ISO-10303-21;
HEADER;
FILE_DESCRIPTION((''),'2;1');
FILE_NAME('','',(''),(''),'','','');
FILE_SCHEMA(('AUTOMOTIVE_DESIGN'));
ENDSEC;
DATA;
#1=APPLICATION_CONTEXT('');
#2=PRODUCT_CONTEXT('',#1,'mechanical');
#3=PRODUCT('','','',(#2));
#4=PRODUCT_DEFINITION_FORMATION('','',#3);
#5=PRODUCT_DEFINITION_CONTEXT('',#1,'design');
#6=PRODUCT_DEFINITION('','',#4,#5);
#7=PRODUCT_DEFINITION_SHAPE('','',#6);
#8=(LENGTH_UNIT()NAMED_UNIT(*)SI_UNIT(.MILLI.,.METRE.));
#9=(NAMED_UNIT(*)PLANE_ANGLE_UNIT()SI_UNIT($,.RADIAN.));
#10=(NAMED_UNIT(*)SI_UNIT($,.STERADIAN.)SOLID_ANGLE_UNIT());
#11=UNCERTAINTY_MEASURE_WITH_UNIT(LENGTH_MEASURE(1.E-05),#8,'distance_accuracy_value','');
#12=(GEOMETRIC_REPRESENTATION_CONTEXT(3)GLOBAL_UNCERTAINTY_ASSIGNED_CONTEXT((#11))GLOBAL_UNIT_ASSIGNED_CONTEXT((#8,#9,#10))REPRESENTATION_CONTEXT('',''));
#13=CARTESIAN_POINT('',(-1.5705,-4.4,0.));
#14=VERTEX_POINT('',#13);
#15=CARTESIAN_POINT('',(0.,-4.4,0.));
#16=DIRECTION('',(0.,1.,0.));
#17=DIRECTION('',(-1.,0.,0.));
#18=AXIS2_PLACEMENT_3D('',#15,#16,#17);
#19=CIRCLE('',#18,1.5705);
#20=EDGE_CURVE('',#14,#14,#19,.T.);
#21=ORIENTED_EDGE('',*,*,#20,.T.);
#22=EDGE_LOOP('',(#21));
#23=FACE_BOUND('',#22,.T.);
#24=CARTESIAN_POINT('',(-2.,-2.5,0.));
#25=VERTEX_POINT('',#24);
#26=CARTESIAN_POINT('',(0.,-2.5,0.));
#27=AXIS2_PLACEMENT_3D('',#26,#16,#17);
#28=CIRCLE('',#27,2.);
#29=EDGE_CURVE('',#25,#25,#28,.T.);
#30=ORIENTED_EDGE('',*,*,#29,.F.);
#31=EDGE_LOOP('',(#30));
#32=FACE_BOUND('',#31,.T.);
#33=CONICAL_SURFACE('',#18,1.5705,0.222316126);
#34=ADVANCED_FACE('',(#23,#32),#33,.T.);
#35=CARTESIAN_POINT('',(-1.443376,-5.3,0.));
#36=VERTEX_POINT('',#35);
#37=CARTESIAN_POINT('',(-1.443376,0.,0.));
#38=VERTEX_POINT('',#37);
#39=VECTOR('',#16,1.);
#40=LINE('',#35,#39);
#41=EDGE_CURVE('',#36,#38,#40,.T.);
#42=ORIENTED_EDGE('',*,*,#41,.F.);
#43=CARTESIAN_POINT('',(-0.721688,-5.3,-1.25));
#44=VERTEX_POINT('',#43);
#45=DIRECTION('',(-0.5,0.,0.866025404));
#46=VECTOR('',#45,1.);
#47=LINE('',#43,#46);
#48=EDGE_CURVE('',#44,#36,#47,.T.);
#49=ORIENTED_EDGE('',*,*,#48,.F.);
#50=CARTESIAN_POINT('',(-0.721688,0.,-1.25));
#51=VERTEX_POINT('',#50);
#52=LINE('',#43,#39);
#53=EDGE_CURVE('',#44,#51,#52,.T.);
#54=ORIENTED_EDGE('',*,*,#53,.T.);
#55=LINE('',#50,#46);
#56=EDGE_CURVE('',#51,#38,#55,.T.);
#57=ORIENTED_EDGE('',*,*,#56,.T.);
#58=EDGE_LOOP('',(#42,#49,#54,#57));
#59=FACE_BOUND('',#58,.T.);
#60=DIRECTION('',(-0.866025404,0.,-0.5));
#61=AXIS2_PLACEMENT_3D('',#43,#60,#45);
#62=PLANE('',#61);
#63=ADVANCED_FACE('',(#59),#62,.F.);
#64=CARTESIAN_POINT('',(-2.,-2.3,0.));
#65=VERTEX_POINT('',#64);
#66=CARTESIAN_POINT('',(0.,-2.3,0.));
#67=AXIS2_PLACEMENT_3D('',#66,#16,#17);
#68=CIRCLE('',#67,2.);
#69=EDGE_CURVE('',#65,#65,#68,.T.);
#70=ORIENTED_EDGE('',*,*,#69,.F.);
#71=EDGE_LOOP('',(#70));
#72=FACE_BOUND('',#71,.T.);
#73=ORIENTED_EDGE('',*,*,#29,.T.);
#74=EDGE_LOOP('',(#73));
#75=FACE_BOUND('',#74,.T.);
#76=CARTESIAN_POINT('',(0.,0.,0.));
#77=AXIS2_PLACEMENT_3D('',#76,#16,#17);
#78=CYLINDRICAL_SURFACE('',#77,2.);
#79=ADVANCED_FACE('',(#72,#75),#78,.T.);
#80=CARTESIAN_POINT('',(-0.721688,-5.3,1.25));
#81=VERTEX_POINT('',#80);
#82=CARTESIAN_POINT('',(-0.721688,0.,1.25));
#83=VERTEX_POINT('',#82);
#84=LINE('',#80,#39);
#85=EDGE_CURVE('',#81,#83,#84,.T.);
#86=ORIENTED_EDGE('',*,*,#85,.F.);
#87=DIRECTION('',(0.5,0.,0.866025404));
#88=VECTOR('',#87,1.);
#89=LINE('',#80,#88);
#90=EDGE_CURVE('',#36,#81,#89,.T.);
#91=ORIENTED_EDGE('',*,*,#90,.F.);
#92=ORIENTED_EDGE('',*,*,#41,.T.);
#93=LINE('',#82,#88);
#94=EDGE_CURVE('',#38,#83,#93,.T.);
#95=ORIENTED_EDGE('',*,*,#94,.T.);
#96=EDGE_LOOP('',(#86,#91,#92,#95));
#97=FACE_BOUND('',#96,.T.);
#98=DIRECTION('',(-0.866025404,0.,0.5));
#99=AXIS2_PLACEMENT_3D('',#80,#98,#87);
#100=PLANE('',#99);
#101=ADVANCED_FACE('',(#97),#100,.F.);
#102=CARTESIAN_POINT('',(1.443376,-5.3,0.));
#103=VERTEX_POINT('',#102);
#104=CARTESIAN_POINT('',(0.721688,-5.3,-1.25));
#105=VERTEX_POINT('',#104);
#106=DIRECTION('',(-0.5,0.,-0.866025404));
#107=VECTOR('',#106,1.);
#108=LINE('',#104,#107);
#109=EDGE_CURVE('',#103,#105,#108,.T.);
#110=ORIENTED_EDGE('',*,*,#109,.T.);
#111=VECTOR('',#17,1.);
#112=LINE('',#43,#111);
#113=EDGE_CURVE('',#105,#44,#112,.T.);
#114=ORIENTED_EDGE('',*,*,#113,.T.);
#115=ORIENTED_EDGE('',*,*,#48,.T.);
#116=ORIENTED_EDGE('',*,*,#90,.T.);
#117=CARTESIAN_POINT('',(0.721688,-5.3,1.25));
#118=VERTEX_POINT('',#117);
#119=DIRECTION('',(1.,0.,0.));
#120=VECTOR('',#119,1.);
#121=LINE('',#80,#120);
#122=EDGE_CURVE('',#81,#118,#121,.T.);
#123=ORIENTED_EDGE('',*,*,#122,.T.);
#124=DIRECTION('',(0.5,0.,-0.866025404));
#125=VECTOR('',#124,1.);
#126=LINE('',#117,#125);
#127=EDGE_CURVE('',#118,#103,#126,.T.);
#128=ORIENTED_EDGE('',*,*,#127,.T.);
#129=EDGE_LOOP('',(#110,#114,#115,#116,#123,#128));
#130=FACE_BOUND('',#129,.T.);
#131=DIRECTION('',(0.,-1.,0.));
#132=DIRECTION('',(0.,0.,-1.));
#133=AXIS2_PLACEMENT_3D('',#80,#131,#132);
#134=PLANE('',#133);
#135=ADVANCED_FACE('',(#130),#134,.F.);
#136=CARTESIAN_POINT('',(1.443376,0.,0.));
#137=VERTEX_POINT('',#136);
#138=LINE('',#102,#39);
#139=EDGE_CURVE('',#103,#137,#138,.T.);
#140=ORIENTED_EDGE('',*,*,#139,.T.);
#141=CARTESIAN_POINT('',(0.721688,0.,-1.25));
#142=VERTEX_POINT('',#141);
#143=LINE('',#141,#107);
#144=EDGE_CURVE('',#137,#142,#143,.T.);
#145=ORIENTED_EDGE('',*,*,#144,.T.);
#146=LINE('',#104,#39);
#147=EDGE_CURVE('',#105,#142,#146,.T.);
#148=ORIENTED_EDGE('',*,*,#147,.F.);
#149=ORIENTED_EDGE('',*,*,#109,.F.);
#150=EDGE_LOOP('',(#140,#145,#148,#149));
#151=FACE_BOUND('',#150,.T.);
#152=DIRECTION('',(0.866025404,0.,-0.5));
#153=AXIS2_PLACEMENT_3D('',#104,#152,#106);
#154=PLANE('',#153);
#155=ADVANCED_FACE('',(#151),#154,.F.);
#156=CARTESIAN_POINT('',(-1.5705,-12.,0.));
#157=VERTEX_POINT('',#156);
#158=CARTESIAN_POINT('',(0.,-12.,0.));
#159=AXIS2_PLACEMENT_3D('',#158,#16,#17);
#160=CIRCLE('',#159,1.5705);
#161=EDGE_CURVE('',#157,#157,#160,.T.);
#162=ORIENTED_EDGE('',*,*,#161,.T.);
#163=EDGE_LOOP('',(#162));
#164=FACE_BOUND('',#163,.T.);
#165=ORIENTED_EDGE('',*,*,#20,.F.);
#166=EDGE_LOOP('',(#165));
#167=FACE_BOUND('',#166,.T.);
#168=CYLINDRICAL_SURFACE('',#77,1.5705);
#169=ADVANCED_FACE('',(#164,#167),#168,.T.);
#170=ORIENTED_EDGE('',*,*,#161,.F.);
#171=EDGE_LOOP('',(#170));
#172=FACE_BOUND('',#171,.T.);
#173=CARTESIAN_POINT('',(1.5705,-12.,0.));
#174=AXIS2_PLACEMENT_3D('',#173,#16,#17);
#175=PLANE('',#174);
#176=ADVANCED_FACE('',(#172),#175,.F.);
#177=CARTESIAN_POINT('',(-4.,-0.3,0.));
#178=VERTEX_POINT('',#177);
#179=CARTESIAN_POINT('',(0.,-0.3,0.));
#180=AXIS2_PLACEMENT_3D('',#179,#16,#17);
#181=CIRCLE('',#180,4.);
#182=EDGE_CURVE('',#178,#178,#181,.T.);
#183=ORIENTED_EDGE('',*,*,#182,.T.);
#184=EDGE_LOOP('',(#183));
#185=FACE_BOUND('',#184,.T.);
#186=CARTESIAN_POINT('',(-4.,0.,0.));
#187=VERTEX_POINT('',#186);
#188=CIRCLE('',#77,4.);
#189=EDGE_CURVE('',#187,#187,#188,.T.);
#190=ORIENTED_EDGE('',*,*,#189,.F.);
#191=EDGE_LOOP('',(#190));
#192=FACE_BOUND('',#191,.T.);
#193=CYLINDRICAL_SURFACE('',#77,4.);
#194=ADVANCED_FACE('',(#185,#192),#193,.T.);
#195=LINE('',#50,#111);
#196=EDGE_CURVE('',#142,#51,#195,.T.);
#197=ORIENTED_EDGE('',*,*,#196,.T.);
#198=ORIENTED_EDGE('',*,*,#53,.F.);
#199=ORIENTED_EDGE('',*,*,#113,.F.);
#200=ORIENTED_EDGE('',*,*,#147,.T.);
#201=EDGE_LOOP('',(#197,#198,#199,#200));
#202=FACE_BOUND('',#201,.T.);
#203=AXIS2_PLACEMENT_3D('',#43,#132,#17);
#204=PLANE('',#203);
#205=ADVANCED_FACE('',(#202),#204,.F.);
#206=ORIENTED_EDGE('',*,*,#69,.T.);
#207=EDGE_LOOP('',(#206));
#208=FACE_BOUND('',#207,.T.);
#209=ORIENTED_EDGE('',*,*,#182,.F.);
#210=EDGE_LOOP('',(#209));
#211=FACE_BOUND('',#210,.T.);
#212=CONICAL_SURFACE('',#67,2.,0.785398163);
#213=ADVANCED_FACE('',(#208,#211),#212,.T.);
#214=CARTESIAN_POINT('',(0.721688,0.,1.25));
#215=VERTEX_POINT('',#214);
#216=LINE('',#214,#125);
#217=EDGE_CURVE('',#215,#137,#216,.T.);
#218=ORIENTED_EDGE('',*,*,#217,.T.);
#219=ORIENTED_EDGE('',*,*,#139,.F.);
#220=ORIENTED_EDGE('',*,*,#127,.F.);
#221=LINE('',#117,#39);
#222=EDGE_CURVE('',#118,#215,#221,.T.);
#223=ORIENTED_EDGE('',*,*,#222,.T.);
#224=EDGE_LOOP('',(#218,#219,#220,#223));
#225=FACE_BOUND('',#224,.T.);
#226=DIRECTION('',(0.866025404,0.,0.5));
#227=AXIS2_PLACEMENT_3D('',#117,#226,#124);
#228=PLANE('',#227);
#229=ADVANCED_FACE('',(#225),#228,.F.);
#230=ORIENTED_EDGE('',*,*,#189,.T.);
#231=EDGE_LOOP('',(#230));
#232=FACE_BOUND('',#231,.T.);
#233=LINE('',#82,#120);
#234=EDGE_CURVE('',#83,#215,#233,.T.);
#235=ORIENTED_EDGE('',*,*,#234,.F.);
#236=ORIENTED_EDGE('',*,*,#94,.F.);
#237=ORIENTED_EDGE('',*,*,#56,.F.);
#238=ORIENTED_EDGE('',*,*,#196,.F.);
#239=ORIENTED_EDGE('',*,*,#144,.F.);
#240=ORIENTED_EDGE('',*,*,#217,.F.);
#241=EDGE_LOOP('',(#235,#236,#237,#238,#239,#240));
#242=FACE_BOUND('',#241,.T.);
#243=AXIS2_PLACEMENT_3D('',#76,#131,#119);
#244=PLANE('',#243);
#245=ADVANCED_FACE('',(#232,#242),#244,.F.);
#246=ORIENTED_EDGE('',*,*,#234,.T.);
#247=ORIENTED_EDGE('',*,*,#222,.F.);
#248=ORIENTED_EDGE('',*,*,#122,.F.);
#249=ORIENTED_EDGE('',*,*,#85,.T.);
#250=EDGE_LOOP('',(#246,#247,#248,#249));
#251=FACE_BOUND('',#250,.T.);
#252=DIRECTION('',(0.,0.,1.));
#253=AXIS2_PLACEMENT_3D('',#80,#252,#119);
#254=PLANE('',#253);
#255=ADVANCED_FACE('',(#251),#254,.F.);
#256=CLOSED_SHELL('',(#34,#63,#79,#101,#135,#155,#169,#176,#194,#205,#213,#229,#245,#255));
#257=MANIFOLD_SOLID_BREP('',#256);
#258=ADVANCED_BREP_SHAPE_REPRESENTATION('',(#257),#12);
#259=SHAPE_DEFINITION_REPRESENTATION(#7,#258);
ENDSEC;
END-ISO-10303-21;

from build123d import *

# Parameters (mm, degrees)
SCHNITT_LINEAR_AUSTRAGEN1_DEPTH = 5.3


with BuildPart() as part:
    # Skizze1 → Basis-Rotation (revolve)
    with BuildSketch(Plane.XY, mode=Mode.PRIVATE) as basis_rotation_sk:
        Polygon((0, 0), (4, 0), (4, -0.3), (2, -2.3), (2, -2.5), (1.5705, -4.4), (1.5705, -12), (0, -12), align=None)
    revolve(basis_rotation_sk.sketch.rotate(Axis((0, 0, 0), (0, -1, 0)), 180), axis=Axis((0, 0, 0), (0, -1, 0)))

    # Skizze2 → Schnitt-Linear austragen1 (cut)
    with BuildSketch(Plane(origin=(0, 0, 0), x_dir=(-1, 0, 0), z_dir=(0, 1, 0))):
        Polygon((0.721687836, -1.25), (-0.721687836, -1.25), (-1.443375673, 0), (-0.721687836, 1.25), (0.721687836, 1.25), (1.443375673, 0), align=None)
    extrude(amount=-SCHNITT_LINEAR_AUSTRAGEN1_DEPTH, mode=Mode.SUBTRACT)


solid = part.part
